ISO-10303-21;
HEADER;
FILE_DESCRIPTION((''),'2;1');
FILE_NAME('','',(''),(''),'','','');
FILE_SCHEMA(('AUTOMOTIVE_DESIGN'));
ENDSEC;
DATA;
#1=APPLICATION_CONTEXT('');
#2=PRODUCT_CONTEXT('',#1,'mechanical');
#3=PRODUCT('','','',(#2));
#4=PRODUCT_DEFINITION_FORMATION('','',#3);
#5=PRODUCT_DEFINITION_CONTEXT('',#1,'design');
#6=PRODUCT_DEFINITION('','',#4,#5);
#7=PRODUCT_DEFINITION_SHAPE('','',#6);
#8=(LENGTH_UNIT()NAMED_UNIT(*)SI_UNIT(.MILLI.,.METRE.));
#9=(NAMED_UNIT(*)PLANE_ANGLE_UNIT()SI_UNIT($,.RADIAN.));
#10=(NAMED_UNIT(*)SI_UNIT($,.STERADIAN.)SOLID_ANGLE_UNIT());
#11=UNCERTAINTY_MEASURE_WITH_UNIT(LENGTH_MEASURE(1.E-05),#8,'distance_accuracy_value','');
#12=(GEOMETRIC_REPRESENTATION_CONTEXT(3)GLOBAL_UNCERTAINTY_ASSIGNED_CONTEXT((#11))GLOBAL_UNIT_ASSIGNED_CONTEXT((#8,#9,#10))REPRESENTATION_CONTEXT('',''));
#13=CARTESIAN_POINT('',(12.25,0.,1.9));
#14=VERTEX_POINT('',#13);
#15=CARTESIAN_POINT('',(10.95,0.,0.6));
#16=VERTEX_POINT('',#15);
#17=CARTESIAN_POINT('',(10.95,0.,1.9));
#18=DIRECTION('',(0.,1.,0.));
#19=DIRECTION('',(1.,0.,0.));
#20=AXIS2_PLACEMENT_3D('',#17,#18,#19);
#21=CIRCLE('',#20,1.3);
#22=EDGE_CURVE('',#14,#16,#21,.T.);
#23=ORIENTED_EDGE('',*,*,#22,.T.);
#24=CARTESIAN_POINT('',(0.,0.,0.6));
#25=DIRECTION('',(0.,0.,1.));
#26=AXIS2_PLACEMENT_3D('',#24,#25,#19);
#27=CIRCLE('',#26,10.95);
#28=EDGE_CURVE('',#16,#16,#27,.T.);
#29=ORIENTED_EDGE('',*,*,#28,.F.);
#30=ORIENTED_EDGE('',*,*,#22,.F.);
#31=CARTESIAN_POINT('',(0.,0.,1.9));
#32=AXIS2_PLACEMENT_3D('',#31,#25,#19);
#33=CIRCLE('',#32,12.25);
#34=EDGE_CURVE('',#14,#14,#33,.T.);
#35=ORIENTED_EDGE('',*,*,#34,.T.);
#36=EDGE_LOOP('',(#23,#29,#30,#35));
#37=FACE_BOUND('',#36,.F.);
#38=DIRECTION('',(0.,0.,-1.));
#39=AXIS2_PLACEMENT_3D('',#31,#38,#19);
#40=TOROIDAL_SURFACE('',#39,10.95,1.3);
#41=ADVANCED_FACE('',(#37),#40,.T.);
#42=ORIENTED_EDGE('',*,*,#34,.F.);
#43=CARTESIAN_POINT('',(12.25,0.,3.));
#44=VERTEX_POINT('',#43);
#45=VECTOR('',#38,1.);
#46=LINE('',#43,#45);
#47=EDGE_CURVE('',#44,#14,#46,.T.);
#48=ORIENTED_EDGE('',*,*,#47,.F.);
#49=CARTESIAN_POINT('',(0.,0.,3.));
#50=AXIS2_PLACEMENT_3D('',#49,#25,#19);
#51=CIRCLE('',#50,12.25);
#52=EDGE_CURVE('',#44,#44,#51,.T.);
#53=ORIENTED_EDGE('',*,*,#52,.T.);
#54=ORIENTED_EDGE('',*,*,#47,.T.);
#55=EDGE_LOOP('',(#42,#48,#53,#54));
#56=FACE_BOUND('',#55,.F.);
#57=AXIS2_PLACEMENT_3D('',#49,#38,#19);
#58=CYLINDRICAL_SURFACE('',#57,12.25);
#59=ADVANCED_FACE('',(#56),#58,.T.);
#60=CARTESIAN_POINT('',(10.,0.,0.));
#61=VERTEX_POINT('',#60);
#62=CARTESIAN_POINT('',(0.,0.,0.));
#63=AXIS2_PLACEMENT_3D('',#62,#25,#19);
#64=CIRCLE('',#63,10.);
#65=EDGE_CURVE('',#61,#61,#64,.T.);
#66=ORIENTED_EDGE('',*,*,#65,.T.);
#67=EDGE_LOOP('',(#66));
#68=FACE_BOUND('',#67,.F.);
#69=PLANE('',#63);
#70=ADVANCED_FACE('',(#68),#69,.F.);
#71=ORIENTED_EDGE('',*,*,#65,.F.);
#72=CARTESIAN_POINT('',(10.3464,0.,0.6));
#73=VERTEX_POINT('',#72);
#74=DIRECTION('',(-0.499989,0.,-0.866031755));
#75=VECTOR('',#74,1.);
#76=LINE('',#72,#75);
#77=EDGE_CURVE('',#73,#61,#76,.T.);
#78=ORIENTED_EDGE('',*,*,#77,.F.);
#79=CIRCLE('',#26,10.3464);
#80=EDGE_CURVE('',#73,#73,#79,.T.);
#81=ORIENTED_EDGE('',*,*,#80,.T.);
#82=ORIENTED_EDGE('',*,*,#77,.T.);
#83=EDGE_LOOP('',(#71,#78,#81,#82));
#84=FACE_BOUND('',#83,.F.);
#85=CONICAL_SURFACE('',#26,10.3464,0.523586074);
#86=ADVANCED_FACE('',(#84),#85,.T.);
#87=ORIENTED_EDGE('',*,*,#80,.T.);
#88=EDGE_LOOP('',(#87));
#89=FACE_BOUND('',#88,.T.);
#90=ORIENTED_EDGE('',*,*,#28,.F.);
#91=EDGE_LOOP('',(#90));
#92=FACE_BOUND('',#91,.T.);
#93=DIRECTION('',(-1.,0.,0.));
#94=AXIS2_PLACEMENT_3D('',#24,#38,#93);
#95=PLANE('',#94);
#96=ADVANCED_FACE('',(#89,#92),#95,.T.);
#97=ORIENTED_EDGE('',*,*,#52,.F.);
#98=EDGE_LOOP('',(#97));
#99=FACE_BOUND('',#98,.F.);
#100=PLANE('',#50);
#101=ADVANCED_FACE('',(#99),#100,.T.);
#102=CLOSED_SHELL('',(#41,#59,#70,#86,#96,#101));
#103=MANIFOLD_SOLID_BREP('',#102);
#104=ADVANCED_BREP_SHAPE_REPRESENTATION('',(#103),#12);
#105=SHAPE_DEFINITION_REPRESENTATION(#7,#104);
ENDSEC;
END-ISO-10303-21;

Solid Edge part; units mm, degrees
sketch "Sketch1" plane through (0, 0, 0) normal (0, -1, 0) x (1, 0, 0)
  line L0 (0, 3) -> (12.25, 3)
  line L1 (12.25, 3) -> (12.25, 1.9)
  arc A0 (12.25, 1.9) -> (10.95, 0.6) centre (10.95, 1.9) cw
  line L2 (10.3464, 0.6) -> (10.95, 0.6)
  line L3 (10.3464, 0.6) -> (10, 0)
  line L4 (10, 0) -> (0, 0)
  dimension "D1" = 12.25
  dimension "D2" = 10
  dimension "D3" = 1.3
  dimension "D4" = 2.4
  dimension "D5" = 3
revolve "RevolvedProtrusion1" add sketch "Sketch1" angle 360 about axis through (0, 0, 0) along (0, 0, 1)
